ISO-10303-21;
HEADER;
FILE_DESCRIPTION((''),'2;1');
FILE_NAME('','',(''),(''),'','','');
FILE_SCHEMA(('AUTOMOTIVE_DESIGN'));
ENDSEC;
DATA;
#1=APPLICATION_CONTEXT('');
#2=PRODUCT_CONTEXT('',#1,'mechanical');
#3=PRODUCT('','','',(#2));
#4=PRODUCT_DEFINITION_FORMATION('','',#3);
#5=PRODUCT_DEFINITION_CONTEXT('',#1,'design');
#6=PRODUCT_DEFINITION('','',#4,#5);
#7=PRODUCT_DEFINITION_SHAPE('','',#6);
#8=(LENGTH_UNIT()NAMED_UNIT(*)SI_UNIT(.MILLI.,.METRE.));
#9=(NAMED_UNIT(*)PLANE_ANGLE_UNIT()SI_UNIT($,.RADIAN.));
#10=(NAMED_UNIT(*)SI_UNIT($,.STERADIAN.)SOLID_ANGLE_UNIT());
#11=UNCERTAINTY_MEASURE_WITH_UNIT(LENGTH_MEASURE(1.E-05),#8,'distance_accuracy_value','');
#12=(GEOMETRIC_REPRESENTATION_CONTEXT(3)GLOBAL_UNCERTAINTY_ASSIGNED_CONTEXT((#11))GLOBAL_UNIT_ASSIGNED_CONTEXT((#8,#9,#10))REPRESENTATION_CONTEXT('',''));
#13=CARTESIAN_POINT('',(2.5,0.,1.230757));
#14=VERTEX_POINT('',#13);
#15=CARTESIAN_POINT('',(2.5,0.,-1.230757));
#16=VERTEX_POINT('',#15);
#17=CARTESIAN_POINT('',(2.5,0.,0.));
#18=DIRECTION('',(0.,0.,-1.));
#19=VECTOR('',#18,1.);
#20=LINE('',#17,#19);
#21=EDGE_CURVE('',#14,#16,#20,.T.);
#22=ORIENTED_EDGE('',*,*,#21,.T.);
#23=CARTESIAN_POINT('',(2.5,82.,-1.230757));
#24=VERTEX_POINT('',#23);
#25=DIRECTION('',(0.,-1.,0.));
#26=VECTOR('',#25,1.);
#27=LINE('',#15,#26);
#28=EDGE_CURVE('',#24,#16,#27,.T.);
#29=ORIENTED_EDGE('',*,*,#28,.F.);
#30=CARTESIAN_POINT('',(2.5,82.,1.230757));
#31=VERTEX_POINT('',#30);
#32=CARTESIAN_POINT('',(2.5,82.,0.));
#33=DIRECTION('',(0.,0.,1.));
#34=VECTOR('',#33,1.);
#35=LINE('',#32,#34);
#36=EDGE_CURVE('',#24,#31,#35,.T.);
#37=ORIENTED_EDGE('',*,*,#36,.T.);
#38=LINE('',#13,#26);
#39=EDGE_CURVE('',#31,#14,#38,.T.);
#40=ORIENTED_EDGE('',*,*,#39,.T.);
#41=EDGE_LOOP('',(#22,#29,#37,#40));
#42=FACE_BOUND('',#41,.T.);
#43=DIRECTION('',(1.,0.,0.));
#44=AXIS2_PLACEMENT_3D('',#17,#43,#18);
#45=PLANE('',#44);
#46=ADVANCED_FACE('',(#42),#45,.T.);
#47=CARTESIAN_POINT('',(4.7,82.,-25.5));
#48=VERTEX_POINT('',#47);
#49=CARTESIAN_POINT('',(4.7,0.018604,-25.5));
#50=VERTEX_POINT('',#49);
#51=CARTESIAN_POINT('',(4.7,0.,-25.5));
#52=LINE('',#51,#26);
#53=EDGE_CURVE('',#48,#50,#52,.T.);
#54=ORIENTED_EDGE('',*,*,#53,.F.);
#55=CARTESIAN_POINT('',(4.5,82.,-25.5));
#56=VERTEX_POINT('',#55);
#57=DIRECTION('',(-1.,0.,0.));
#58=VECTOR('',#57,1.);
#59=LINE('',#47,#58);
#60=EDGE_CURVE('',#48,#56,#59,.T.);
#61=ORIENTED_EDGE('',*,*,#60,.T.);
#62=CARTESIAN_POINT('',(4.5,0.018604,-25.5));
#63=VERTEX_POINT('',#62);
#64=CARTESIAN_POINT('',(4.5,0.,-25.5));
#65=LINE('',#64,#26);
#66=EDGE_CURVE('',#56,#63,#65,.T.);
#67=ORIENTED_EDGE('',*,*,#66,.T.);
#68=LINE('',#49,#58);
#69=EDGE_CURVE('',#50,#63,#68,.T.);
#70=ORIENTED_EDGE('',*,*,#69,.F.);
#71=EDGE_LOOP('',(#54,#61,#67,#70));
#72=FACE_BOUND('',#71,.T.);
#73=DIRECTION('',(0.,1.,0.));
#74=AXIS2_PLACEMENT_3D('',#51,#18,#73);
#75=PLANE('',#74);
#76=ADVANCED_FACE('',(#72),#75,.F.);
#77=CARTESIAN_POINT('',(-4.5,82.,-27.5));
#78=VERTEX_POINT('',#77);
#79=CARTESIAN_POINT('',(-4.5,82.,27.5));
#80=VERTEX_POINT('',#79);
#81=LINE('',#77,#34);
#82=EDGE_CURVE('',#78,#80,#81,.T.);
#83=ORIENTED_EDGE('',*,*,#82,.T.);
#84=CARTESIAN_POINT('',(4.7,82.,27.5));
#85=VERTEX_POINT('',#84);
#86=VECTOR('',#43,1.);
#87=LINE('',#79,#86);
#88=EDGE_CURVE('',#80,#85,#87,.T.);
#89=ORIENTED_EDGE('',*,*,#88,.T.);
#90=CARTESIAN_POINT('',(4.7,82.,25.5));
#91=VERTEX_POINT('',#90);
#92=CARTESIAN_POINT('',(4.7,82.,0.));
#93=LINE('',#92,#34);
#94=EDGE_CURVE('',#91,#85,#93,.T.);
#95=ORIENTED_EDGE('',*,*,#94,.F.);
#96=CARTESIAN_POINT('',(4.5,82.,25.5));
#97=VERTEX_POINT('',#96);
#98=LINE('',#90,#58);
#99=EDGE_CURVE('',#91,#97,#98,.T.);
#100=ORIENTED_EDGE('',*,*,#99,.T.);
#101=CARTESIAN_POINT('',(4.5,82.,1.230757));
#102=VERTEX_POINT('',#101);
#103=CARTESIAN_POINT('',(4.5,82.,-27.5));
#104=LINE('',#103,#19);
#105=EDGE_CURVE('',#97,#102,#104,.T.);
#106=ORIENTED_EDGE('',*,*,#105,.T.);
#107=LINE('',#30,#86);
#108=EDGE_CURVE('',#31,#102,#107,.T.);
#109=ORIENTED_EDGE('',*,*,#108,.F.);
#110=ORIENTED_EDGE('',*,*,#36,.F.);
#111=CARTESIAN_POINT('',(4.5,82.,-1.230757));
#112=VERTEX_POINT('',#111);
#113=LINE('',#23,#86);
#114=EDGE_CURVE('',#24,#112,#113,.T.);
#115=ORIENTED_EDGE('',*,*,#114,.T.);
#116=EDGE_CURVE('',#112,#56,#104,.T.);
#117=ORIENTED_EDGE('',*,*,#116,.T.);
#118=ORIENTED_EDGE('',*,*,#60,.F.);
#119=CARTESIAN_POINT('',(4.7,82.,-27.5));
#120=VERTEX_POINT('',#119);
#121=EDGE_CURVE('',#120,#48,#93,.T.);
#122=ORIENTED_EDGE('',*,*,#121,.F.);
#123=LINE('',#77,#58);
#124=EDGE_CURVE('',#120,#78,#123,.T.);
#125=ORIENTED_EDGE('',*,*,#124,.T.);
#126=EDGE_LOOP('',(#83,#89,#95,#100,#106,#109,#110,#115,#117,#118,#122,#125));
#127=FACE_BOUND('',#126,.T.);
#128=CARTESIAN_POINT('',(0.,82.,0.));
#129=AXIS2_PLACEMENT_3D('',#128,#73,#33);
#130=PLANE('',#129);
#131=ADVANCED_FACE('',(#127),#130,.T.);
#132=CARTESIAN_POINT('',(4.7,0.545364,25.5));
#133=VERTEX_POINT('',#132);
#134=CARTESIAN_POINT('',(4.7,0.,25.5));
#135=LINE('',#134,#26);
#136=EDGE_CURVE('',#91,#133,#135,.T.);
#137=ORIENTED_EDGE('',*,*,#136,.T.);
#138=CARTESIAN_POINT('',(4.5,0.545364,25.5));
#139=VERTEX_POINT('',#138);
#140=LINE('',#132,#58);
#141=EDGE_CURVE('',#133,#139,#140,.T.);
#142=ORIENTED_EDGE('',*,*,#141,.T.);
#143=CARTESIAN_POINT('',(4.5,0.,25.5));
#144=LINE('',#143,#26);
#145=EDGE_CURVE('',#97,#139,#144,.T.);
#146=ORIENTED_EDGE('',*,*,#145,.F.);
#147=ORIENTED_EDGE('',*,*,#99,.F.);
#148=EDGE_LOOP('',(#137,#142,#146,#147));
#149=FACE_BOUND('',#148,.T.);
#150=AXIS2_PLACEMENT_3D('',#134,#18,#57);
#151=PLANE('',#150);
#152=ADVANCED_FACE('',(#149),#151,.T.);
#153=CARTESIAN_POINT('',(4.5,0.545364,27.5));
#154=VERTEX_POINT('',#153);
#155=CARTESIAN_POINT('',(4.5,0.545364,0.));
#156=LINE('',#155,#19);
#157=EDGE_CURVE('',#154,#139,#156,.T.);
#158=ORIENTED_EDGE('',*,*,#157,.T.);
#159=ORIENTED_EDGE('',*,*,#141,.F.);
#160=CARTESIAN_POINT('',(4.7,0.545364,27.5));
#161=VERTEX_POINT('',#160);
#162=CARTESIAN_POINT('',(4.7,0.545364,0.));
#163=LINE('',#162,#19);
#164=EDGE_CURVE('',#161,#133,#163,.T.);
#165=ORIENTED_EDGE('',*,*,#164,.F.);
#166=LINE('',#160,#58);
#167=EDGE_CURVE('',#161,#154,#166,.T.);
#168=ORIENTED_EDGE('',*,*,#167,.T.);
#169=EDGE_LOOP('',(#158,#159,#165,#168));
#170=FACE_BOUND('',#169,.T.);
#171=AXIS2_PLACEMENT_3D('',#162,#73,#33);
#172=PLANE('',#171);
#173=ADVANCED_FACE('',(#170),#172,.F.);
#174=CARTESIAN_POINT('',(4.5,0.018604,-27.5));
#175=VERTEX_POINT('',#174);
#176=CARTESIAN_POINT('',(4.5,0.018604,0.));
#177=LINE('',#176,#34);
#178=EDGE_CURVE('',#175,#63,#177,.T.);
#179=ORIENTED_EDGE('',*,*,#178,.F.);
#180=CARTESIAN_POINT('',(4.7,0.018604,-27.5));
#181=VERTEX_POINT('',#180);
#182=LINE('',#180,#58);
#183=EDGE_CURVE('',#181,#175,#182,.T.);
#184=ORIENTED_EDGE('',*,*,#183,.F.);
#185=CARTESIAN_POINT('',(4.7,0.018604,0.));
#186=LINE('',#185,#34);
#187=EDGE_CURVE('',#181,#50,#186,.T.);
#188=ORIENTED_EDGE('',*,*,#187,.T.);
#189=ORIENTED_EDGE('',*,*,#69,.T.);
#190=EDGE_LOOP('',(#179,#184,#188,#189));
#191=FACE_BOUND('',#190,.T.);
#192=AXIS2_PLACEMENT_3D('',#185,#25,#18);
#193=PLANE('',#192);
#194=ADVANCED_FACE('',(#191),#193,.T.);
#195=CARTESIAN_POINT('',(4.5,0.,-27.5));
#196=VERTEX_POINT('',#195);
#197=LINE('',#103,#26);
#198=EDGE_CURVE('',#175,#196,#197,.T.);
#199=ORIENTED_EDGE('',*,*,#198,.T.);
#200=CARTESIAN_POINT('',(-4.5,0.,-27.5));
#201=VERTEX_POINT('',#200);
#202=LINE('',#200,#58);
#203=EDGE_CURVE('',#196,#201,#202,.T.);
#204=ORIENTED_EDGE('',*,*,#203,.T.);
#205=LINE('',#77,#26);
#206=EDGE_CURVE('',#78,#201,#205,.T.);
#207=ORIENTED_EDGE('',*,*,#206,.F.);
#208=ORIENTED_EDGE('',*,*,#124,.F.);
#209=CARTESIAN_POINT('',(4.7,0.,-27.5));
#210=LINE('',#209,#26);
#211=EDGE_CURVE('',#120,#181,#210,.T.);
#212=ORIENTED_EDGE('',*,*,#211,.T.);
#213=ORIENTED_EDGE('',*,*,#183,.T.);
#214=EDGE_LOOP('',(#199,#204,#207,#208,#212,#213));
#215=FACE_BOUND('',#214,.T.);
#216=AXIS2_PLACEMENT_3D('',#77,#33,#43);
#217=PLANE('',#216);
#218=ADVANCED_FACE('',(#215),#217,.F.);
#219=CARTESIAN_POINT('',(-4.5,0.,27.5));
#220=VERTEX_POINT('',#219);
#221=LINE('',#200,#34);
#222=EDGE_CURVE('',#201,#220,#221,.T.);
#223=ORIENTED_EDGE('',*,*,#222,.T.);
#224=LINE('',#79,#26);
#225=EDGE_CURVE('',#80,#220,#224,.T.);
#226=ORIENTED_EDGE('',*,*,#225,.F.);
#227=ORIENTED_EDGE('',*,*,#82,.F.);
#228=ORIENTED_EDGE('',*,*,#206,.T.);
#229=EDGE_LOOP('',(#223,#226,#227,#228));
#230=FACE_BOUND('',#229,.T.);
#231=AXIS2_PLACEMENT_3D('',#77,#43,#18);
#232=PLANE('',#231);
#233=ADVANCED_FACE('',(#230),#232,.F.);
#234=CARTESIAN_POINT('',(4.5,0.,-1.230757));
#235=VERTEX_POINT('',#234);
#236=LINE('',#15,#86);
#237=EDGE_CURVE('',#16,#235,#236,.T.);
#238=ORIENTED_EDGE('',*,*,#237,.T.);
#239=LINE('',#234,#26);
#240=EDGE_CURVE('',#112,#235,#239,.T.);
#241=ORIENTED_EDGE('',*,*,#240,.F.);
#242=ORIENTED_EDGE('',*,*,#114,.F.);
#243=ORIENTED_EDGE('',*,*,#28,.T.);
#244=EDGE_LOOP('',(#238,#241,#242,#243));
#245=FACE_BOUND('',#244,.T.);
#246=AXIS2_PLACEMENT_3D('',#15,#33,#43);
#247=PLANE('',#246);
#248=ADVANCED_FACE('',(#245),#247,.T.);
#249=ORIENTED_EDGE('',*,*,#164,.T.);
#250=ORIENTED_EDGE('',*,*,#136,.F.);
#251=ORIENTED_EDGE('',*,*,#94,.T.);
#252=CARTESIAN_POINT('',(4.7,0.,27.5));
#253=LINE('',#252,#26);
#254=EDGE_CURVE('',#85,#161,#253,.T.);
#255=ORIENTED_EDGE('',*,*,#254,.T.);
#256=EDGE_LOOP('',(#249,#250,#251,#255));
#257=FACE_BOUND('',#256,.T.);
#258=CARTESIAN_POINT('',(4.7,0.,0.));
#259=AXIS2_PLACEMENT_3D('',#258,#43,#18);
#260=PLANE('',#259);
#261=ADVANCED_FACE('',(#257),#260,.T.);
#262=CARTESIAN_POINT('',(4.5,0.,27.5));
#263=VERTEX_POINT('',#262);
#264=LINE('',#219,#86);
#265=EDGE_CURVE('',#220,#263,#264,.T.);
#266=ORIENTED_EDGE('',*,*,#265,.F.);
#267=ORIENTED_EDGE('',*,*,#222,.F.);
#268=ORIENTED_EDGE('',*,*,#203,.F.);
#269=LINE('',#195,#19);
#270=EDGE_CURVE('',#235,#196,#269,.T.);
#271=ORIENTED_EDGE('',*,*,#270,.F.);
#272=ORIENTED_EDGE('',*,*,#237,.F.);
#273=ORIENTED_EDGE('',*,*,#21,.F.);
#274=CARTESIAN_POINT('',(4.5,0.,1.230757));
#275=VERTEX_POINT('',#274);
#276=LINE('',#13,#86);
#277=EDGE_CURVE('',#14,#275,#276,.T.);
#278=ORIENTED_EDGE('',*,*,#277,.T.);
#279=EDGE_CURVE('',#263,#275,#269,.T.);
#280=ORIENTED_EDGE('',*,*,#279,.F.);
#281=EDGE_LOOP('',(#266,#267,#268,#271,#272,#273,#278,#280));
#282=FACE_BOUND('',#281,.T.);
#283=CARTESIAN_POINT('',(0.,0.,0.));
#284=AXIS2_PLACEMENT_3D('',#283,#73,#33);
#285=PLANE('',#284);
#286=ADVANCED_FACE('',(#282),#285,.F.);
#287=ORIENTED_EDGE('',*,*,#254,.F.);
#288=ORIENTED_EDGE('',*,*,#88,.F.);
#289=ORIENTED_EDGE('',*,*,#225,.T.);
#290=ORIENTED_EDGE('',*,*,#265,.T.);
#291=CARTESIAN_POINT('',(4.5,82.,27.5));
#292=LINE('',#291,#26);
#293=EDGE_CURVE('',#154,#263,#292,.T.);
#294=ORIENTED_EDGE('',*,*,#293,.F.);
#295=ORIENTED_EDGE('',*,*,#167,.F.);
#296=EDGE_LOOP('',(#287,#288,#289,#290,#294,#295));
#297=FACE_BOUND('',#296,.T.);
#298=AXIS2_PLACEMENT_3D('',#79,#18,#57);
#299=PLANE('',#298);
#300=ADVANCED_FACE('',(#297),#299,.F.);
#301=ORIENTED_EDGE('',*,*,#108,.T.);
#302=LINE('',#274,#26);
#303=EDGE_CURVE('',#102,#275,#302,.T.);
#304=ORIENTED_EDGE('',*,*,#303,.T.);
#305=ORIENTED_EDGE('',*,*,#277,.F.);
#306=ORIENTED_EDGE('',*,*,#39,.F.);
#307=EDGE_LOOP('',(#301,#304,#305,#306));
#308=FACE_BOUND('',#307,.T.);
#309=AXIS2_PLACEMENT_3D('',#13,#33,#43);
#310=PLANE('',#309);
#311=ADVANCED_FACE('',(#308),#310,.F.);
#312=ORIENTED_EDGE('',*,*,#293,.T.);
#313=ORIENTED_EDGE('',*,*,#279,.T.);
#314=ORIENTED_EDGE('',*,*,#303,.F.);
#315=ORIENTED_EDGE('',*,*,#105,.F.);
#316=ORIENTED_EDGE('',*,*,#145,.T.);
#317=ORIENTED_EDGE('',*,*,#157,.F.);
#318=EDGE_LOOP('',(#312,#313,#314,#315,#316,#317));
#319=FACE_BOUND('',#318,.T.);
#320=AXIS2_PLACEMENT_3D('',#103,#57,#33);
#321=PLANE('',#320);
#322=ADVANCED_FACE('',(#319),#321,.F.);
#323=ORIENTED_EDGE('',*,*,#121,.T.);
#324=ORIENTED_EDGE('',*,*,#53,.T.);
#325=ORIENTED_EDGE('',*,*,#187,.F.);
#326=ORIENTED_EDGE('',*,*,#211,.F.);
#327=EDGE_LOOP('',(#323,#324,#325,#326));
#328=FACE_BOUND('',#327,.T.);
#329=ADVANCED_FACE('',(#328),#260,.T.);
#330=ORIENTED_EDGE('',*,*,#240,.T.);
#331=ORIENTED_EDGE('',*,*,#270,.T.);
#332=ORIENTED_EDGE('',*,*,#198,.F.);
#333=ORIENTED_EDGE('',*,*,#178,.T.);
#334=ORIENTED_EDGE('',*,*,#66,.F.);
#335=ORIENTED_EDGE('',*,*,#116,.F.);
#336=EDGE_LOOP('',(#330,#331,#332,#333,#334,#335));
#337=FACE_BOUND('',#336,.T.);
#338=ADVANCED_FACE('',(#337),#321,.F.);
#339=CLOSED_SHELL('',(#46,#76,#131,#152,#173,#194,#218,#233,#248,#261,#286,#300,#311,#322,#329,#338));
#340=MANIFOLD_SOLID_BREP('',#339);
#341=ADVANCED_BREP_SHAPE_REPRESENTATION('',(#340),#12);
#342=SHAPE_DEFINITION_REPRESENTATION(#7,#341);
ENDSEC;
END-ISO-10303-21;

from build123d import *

# Parameters (mm, degrees)
SKETCH1_W           = 9
SKETCH1_H           = 55
BOSS_EXTRUDE1_DEPTH = 82
SKETCH2_W           = 1.230757027
SKETCH2_H           = 82
CUT_EXTRUDE1_DEPTH  = 2
SKETCH3_W           = 2
SKETCH3_H           = 81.454636245
SKETCH3_H_2         = 81.981396298
BOSS_EXTRUDE2_DEPTH = 0.2


with BuildPart() as part:
    # Sketch1 → Boss-Extrude1 (new body)
    with BuildSketch(Plane(origin=(0, 0, 0), x_dir=(1, 0, 0), z_dir=(0, 1, 0))):
        Rectangle(SKETCH1_W, SKETCH1_H)
    extrude(amount=BOSS_EXTRUDE1_DEPTH)

    # Sketch2 → Cut-Extrude1 (cut)
    with BuildSketch(Plane(origin=(4.5, 0, 0), x_dir=(0, 0, -1), z_dir=(1, 0, 0))):
        with Locations((-0.615378514, 41)):
            Rectangle(SKETCH2_W, SKETCH2_H)
        with Locations((0.615378514, 41)):
            Rectangle(SKETCH2_W, SKETCH2_H)
    extrude(amount=-CUT_EXTRUDE1_DEPTH, mode=Mode.SUBTRACT)

    # Sketch3 → Boss-Extrude2 (add)
    with BuildSketch(Plane(origin=(4.5, 0, 0), x_dir=(0, 0, -1), z_dir=(1, 0, 0))):
        with Locations((-26.5, 41.272681877)):
            Rectangle(SKETCH3_W, SKETCH3_H)
        with Locations((26.5, 41.009301851)):
            Rectangle(SKETCH3_W, SKETCH3_H_2)
    extrude(amount=BOSS_EXTRUDE2_DEPTH)


solid = part.part
